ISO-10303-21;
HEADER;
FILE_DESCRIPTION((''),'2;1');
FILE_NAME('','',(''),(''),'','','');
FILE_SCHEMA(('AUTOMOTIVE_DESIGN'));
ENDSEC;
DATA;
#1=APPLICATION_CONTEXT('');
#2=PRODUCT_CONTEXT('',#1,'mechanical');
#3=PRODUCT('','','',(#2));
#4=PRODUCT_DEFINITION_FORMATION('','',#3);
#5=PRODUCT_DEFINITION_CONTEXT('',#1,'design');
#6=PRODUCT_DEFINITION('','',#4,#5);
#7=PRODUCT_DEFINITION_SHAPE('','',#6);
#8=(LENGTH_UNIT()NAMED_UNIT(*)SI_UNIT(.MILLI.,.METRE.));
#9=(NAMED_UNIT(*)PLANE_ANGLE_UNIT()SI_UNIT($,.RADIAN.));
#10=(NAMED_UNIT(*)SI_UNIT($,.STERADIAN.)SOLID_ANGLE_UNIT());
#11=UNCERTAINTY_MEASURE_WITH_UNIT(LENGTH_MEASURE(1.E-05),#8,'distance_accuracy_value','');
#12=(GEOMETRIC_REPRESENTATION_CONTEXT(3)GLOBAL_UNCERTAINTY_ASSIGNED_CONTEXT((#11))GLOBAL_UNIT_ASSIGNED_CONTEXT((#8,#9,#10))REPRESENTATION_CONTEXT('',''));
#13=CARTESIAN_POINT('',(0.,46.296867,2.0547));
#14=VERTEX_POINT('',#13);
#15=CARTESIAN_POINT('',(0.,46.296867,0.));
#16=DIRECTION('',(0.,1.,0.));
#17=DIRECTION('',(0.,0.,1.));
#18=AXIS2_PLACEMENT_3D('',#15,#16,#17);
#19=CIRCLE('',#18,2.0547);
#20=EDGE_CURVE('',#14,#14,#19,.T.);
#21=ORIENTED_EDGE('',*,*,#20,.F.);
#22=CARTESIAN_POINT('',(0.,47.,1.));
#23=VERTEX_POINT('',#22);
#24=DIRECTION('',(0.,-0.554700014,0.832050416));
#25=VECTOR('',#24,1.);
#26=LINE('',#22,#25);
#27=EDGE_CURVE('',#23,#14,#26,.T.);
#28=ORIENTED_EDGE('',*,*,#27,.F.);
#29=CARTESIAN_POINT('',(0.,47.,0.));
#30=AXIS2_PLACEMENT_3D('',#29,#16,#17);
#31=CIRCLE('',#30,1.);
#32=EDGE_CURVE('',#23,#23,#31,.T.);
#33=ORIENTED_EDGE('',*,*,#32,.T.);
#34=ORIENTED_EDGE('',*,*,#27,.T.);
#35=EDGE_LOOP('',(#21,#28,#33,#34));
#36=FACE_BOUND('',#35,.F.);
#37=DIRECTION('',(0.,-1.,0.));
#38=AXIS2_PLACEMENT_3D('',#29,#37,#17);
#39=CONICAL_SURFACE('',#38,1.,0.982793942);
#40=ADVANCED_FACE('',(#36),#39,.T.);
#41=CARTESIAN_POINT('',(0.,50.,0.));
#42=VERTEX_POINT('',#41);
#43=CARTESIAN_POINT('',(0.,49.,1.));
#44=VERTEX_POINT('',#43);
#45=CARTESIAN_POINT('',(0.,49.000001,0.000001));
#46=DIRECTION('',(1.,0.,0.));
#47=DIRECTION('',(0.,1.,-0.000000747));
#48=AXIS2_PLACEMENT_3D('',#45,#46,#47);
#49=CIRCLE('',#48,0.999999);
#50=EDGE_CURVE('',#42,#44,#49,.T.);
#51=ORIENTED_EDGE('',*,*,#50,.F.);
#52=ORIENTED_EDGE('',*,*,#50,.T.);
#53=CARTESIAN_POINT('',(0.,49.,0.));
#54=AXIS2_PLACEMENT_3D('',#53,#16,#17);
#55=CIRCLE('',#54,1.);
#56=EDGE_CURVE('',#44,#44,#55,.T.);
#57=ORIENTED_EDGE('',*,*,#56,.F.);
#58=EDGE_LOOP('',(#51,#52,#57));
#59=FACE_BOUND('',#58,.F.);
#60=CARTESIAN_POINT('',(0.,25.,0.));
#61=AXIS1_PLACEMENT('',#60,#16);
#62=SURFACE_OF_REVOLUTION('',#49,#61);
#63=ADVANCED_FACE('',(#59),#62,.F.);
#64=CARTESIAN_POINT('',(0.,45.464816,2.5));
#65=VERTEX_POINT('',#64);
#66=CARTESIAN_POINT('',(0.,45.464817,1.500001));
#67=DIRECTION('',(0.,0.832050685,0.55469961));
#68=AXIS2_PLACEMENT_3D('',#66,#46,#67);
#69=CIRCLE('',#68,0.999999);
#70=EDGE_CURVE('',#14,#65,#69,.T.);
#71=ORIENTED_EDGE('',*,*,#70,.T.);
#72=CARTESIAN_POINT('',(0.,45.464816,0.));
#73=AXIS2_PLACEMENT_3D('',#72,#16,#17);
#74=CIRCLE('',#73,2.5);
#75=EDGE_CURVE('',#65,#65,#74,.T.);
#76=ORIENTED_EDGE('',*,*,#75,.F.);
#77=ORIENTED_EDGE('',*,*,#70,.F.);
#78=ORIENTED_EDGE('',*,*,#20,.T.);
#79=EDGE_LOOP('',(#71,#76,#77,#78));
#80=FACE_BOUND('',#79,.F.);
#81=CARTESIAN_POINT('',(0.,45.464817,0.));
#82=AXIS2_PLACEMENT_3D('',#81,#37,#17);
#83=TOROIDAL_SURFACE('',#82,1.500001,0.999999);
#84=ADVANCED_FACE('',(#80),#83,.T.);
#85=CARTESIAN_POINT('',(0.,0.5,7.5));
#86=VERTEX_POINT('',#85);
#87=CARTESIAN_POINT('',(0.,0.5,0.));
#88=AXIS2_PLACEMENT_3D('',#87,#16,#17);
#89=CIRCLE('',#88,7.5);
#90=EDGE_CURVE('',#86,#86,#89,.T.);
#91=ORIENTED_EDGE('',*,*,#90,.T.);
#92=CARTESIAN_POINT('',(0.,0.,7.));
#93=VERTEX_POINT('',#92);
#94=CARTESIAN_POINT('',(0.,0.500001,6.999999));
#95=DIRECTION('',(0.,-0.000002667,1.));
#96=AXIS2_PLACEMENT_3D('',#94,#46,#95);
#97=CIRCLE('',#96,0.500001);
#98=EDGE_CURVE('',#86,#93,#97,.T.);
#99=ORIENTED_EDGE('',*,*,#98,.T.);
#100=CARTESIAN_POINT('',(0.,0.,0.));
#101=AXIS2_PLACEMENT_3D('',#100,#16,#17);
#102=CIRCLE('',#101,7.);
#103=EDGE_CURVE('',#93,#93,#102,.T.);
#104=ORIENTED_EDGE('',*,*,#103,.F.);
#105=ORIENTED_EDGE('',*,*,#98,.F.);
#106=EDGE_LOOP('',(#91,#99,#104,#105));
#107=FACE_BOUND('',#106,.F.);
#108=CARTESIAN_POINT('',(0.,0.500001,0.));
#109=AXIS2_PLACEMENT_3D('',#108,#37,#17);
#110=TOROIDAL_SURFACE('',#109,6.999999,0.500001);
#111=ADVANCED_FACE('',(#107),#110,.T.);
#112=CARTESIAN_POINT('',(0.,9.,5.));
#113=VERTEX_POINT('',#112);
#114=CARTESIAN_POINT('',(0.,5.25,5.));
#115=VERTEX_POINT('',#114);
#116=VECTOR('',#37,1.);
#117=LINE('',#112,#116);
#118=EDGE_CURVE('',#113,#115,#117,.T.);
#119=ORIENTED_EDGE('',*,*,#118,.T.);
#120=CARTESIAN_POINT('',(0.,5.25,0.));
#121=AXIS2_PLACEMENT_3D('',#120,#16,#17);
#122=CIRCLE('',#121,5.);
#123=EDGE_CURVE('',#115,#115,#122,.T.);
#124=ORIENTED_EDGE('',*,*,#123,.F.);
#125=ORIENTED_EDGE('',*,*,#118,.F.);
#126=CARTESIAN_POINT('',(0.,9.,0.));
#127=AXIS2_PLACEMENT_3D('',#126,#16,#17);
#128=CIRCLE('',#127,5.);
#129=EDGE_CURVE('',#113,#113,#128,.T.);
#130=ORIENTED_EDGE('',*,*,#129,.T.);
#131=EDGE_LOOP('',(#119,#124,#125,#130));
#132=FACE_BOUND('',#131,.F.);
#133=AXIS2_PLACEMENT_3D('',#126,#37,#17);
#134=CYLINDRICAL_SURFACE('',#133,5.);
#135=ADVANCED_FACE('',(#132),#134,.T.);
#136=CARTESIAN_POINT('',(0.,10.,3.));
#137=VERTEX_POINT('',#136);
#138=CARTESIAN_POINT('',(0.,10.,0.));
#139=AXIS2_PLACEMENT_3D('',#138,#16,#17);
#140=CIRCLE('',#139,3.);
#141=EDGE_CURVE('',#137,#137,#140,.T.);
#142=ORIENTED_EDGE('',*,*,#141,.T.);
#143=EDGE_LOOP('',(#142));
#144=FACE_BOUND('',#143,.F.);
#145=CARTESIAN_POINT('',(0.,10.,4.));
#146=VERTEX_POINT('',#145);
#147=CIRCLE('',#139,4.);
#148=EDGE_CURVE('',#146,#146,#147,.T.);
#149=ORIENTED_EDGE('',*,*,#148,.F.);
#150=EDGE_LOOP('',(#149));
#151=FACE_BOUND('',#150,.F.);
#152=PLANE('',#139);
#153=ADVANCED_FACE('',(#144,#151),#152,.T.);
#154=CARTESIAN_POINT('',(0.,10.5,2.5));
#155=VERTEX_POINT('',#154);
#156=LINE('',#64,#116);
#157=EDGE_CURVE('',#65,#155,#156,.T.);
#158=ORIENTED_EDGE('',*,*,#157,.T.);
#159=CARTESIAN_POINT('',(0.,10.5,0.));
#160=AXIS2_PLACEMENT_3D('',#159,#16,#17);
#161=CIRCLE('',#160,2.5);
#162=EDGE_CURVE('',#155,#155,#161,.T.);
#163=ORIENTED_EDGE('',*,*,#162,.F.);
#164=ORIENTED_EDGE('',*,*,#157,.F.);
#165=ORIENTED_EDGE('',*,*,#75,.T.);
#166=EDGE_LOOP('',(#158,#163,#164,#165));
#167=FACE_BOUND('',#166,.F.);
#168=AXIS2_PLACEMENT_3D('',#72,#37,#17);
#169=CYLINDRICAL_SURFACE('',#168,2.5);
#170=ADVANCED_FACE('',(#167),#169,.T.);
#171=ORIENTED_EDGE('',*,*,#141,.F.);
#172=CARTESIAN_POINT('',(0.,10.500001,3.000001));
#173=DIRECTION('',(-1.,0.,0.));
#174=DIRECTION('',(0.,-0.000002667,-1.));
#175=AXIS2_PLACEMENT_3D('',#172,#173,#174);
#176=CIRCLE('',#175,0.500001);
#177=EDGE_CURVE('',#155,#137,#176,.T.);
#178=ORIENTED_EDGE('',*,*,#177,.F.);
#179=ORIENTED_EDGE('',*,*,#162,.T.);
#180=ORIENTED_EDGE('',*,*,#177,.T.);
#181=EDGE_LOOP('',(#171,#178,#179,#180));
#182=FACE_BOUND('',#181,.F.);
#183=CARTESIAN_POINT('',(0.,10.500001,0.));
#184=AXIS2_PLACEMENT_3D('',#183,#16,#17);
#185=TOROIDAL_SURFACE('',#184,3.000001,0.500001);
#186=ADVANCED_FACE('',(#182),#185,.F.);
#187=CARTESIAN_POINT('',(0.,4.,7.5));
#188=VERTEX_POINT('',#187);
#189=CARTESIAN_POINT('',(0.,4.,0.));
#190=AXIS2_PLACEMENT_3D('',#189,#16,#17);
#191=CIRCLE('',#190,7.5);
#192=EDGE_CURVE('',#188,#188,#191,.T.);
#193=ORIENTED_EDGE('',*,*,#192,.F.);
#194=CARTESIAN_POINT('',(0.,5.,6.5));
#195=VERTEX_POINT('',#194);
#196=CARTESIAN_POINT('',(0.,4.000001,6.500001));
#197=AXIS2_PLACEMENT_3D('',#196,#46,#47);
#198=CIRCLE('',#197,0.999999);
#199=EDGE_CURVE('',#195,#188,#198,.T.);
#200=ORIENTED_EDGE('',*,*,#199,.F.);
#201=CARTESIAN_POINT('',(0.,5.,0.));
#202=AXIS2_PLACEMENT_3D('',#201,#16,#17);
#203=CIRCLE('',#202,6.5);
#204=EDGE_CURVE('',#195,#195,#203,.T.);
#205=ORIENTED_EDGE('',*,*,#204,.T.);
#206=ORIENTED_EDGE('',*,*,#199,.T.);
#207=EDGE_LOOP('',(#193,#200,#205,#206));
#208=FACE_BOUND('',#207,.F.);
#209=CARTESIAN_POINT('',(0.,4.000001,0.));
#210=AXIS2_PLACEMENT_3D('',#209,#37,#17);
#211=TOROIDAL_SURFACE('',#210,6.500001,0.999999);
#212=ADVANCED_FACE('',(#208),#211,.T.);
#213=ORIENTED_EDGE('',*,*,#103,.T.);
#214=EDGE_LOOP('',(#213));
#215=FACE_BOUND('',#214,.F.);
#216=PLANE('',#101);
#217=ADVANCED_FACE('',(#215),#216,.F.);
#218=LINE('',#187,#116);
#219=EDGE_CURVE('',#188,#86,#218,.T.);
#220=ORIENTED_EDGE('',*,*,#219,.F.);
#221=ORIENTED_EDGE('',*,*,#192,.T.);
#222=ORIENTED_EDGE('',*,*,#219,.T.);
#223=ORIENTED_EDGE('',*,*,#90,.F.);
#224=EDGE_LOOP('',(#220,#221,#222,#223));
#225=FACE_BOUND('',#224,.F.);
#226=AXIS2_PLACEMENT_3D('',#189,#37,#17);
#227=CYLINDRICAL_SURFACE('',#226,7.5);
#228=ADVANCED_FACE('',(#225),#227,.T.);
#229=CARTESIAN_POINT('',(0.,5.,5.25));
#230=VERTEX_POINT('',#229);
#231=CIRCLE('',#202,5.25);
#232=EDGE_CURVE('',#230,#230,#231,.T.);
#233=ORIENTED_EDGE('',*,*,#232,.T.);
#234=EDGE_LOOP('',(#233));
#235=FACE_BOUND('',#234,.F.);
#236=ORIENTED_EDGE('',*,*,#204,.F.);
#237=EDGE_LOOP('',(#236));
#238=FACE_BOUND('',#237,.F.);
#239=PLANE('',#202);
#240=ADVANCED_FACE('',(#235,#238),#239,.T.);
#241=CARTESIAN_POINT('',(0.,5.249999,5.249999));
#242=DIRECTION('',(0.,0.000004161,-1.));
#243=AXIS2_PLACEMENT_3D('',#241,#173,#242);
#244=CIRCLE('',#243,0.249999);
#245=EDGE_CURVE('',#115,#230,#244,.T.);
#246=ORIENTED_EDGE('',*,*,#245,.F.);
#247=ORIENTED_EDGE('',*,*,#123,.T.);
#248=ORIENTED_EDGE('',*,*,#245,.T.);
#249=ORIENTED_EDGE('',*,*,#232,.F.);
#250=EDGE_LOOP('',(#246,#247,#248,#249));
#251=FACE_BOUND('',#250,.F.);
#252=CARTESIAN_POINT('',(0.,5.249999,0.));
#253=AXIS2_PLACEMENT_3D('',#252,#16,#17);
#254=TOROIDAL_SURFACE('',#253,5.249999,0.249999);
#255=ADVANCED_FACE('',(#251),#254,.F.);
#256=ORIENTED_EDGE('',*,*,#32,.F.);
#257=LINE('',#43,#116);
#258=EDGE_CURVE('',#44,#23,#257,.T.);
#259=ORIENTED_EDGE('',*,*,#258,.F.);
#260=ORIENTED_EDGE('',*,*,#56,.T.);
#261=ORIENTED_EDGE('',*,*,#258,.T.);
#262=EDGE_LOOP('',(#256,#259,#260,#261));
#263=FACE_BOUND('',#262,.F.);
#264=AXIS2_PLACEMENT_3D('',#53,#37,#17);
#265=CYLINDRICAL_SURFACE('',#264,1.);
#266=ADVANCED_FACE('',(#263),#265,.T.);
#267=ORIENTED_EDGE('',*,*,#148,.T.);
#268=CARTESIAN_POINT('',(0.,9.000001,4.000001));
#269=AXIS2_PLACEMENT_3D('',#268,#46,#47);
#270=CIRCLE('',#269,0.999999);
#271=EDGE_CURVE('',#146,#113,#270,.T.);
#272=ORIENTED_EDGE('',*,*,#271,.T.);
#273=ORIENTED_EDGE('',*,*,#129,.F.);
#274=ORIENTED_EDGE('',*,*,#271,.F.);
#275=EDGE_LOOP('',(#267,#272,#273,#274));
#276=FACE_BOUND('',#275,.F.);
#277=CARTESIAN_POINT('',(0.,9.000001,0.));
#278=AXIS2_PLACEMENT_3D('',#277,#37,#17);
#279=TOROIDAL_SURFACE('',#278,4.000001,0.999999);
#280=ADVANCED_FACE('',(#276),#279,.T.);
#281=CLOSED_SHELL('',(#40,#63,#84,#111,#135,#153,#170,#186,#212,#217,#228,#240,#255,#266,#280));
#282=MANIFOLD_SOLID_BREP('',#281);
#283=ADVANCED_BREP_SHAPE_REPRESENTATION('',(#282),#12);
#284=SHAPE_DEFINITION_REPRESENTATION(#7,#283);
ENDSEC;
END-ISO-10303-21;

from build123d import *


with BuildPart() as f1:
    # F0 (on Right) → F1 (revolve)
    with BuildSketch(Plane.YZ):
        with BuildLine():
            Line((0, 7), (0, 0))
            Line((0, 0), (50, 0))
            ThreePointArc((50, 0), (49.707107, 0.707107), (49, 1))
            Line((49, 1), (47, 1))
            Line((47, 1), (46.296867, 2.0547))
            ThreePointArc((46.296867, 2.0547), (45.936674, 2.381675), (45.464816, 2.5))
            Line((45.464816, 2.5), (10.5, 2.5))
            ThreePointArc((10.5, 2.5), (10.146447, 2.646447), (10, 3))
            Line((10, 3), (10, 4))
            ThreePointArc((10, 4), (9.707107, 4.707107), (9, 5))
            Line((9, 5), (5.25, 5))
            ThreePointArc((5.25, 5), (5.073223, 5.073223), (5, 5.25))
            Line((5, 5.25), (5, 6.5))
            ThreePointArc((5, 6.5), (4.707107, 7.207107), (4, 7.5))
            Line((4, 7.5), (0.5, 7.5))
            ThreePointArc((0.5, 7.5), (0.146447, 7.353553), (0, 7))
        make_face()
    revolve(axis=Axis((0, 25, 0), (0, 1, 0)))


solid = f1.part
